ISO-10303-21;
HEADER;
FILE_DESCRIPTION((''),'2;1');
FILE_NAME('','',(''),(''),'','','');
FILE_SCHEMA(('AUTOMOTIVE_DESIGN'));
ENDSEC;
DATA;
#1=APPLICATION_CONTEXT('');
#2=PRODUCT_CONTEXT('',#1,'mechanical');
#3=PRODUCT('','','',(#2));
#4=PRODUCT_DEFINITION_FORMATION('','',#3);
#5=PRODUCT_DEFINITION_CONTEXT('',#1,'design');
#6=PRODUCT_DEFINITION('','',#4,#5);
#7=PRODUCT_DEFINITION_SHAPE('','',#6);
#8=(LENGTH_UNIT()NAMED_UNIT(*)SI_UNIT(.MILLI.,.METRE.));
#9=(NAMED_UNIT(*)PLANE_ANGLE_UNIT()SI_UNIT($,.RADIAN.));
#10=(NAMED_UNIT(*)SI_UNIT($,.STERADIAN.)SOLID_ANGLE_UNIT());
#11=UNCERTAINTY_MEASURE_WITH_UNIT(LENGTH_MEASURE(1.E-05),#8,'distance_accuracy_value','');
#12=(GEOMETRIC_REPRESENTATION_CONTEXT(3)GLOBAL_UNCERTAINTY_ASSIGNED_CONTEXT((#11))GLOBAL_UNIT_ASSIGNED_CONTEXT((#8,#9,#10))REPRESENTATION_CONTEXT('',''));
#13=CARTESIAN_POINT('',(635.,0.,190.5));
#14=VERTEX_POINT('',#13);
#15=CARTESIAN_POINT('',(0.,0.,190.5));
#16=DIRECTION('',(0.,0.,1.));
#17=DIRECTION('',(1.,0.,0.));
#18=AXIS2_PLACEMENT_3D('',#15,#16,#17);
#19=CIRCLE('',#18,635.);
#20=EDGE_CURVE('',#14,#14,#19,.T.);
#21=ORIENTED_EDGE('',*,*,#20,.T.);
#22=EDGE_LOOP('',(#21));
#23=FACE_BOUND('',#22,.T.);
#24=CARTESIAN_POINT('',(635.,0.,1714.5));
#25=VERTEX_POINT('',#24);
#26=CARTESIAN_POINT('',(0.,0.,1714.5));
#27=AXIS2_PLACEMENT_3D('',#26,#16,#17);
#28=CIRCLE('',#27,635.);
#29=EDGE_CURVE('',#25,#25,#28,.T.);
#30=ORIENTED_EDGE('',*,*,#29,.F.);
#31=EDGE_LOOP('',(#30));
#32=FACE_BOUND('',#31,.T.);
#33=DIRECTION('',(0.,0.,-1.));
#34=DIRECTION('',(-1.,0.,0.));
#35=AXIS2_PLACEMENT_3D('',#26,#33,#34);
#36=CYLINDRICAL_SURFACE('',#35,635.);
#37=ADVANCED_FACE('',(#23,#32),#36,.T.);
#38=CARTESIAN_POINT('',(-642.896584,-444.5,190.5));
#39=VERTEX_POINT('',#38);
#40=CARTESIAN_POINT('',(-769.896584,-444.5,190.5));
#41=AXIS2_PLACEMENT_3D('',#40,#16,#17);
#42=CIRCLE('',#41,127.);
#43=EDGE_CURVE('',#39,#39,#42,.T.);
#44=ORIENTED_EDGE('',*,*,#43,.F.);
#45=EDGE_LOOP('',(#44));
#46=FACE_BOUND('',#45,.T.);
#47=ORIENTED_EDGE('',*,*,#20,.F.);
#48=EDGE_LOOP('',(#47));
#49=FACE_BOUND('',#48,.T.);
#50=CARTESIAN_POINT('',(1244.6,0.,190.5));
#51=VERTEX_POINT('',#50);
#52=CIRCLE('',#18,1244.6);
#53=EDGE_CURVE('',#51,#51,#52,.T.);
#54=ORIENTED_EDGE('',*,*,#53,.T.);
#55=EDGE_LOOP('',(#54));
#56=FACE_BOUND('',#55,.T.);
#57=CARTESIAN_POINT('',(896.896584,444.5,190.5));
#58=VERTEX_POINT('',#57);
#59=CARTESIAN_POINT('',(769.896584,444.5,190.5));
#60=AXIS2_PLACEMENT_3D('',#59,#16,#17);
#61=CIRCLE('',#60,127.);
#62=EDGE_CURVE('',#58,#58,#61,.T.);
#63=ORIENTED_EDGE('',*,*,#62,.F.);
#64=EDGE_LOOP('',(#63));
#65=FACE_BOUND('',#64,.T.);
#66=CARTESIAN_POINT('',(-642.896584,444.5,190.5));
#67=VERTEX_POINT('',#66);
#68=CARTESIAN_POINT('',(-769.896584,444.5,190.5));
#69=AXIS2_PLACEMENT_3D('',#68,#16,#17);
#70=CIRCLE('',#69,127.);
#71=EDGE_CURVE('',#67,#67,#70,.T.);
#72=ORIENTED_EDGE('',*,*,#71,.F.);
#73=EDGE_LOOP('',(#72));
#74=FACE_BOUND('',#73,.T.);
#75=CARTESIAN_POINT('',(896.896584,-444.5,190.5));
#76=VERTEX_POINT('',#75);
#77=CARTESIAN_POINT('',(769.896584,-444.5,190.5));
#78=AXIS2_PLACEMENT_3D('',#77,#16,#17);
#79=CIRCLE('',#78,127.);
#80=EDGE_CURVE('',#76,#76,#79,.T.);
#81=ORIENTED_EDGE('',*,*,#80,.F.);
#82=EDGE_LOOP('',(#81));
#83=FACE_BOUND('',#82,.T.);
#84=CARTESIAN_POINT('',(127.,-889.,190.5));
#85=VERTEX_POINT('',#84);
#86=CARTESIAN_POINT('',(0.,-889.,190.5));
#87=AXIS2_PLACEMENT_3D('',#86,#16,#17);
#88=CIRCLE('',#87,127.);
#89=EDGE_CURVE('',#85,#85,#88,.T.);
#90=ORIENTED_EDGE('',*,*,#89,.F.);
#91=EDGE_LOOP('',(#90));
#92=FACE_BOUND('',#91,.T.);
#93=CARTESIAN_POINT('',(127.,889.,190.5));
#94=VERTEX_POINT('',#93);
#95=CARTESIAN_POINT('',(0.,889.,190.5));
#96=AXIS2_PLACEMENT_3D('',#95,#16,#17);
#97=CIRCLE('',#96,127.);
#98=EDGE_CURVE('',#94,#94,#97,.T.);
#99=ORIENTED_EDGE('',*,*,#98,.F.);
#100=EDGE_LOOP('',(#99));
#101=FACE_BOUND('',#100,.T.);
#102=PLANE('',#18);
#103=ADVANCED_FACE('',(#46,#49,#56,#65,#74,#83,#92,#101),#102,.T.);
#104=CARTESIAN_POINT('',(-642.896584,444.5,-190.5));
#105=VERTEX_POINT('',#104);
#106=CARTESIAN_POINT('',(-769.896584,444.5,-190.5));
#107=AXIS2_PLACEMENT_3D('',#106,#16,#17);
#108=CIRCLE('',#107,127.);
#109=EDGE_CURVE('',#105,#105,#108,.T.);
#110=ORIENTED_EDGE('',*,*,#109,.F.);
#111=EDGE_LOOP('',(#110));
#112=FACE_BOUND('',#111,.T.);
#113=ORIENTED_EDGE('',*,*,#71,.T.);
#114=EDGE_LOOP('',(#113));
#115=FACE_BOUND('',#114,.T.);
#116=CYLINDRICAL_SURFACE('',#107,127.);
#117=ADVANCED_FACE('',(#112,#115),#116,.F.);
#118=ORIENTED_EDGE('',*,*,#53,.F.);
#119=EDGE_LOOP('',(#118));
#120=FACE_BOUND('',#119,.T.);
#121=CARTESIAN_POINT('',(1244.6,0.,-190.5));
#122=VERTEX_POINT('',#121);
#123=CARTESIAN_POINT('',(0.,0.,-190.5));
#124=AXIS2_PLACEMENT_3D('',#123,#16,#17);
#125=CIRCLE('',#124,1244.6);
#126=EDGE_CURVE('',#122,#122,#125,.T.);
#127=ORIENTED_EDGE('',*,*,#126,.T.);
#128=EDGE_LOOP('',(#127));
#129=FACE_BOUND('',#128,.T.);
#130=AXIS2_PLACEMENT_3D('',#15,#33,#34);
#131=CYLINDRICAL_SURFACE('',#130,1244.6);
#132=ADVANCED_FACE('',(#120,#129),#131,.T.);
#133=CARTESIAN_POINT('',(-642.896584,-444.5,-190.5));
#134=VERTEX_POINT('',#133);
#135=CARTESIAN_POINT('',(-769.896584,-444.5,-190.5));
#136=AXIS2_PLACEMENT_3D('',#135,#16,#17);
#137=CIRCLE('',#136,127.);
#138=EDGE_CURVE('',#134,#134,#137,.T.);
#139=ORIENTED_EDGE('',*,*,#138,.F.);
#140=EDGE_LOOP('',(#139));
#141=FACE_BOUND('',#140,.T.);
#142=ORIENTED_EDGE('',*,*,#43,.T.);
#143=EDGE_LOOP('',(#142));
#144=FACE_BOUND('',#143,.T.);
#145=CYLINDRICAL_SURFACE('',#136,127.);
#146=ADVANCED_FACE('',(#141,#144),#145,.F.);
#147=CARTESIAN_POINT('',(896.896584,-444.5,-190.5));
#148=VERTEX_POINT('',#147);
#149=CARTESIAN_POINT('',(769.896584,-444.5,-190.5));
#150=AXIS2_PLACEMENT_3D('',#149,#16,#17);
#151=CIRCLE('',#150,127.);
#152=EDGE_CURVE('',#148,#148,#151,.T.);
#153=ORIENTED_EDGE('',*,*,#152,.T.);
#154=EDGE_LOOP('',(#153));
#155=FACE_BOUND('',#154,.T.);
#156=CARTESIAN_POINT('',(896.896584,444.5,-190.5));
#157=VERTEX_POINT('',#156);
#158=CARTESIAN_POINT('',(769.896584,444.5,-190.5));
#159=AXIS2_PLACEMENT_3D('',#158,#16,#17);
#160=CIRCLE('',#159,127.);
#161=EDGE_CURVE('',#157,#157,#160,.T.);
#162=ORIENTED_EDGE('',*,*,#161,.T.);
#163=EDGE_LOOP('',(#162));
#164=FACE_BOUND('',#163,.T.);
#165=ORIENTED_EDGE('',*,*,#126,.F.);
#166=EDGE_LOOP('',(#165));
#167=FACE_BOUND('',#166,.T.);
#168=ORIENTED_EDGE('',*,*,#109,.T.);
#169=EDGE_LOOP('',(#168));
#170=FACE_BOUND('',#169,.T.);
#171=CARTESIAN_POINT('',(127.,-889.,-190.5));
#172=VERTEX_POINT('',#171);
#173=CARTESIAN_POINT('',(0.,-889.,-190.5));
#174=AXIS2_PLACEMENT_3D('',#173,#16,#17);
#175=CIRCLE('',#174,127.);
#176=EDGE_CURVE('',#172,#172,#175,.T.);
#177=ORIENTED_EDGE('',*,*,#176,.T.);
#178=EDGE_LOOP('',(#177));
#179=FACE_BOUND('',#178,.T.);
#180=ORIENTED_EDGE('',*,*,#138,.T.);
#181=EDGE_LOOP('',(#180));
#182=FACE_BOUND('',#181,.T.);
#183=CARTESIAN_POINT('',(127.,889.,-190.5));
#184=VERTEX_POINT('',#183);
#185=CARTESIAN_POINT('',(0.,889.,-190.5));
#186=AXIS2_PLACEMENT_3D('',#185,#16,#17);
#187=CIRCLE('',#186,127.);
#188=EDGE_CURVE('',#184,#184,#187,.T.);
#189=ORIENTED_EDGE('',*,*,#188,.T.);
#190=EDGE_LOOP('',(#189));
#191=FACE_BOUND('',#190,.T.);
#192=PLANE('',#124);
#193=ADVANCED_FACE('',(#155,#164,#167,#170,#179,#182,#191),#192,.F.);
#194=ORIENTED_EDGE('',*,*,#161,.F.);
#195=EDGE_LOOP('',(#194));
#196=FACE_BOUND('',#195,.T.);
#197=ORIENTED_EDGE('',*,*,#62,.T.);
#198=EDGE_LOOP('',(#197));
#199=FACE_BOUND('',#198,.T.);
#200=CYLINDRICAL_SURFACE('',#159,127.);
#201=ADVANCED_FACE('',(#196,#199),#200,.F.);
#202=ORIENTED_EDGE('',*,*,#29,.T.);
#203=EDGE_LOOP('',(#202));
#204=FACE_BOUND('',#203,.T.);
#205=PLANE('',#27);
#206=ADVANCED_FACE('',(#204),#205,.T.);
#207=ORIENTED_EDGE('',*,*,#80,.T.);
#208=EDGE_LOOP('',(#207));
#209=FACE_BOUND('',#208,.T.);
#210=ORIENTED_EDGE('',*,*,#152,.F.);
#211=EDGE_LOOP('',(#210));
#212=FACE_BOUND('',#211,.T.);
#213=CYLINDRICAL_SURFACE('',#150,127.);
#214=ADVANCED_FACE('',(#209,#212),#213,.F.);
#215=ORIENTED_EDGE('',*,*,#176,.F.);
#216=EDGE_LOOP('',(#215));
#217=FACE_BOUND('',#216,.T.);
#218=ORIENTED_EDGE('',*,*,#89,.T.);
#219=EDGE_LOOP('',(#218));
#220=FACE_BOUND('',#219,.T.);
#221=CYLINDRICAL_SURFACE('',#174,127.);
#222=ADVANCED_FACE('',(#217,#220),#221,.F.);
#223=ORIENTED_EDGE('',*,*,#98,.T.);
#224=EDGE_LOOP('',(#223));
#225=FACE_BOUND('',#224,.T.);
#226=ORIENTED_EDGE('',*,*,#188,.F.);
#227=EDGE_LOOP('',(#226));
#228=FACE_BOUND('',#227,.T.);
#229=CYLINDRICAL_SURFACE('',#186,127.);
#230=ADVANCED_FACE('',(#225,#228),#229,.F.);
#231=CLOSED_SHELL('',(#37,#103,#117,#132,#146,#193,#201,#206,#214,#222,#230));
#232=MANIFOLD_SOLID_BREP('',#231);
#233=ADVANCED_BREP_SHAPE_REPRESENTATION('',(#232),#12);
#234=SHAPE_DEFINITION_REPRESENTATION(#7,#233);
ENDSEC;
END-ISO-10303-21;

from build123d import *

# Parameters (mm, degrees)
SKETCH1_R           = 1244.6
BOSS_EXTRUDE1_DEPTH = 190.5
SKETCH2_R           = 127
CUT_EXTRUDE1_DEPTH  = 1801.894033529
SKETCH3_R           = 635
BOSS_EXTRUDE2_DEPTH = 1524


with BuildPart() as part:
    # Sketch1 → Boss-Extrude1 (new, symmetric)
    with BuildSketch(Plane.XY):
        Circle(SKETCH1_R)
    extrude(amount=BOSS_EXTRUDE1_DEPTH, both=True)

    # Sketch2 → Cut-Extrude1 (cut, through all)
    with BuildSketch(Plane.XY.offset(190.5)):
        with Locations((0, 889)):
            Circle(SKETCH2_R)
        with Locations((769.896583964, 444.5)):
            Circle(SKETCH2_R)
        with Locations((769.896583964, -444.5)):
            Circle(SKETCH2_R)
        with Locations((0, -889)):
            Circle(SKETCH2_R)
        with Locations((-769.896583964, -444.5)):
            Circle(SKETCH2_R)
        with Locations((-769.896583964, 444.5)):
            Circle(SKETCH2_R)
    extrude(amount=-CUT_EXTRUDE1_DEPTH, mode=Mode.SUBTRACT)

    # Sketch3 → Boss-Extrude2 (add)
    with BuildSketch(Plane.XY.offset(190.5)):
        Circle(SKETCH3_R)
    extrude(amount=BOSS_EXTRUDE2_DEPTH)


solid = part.part
